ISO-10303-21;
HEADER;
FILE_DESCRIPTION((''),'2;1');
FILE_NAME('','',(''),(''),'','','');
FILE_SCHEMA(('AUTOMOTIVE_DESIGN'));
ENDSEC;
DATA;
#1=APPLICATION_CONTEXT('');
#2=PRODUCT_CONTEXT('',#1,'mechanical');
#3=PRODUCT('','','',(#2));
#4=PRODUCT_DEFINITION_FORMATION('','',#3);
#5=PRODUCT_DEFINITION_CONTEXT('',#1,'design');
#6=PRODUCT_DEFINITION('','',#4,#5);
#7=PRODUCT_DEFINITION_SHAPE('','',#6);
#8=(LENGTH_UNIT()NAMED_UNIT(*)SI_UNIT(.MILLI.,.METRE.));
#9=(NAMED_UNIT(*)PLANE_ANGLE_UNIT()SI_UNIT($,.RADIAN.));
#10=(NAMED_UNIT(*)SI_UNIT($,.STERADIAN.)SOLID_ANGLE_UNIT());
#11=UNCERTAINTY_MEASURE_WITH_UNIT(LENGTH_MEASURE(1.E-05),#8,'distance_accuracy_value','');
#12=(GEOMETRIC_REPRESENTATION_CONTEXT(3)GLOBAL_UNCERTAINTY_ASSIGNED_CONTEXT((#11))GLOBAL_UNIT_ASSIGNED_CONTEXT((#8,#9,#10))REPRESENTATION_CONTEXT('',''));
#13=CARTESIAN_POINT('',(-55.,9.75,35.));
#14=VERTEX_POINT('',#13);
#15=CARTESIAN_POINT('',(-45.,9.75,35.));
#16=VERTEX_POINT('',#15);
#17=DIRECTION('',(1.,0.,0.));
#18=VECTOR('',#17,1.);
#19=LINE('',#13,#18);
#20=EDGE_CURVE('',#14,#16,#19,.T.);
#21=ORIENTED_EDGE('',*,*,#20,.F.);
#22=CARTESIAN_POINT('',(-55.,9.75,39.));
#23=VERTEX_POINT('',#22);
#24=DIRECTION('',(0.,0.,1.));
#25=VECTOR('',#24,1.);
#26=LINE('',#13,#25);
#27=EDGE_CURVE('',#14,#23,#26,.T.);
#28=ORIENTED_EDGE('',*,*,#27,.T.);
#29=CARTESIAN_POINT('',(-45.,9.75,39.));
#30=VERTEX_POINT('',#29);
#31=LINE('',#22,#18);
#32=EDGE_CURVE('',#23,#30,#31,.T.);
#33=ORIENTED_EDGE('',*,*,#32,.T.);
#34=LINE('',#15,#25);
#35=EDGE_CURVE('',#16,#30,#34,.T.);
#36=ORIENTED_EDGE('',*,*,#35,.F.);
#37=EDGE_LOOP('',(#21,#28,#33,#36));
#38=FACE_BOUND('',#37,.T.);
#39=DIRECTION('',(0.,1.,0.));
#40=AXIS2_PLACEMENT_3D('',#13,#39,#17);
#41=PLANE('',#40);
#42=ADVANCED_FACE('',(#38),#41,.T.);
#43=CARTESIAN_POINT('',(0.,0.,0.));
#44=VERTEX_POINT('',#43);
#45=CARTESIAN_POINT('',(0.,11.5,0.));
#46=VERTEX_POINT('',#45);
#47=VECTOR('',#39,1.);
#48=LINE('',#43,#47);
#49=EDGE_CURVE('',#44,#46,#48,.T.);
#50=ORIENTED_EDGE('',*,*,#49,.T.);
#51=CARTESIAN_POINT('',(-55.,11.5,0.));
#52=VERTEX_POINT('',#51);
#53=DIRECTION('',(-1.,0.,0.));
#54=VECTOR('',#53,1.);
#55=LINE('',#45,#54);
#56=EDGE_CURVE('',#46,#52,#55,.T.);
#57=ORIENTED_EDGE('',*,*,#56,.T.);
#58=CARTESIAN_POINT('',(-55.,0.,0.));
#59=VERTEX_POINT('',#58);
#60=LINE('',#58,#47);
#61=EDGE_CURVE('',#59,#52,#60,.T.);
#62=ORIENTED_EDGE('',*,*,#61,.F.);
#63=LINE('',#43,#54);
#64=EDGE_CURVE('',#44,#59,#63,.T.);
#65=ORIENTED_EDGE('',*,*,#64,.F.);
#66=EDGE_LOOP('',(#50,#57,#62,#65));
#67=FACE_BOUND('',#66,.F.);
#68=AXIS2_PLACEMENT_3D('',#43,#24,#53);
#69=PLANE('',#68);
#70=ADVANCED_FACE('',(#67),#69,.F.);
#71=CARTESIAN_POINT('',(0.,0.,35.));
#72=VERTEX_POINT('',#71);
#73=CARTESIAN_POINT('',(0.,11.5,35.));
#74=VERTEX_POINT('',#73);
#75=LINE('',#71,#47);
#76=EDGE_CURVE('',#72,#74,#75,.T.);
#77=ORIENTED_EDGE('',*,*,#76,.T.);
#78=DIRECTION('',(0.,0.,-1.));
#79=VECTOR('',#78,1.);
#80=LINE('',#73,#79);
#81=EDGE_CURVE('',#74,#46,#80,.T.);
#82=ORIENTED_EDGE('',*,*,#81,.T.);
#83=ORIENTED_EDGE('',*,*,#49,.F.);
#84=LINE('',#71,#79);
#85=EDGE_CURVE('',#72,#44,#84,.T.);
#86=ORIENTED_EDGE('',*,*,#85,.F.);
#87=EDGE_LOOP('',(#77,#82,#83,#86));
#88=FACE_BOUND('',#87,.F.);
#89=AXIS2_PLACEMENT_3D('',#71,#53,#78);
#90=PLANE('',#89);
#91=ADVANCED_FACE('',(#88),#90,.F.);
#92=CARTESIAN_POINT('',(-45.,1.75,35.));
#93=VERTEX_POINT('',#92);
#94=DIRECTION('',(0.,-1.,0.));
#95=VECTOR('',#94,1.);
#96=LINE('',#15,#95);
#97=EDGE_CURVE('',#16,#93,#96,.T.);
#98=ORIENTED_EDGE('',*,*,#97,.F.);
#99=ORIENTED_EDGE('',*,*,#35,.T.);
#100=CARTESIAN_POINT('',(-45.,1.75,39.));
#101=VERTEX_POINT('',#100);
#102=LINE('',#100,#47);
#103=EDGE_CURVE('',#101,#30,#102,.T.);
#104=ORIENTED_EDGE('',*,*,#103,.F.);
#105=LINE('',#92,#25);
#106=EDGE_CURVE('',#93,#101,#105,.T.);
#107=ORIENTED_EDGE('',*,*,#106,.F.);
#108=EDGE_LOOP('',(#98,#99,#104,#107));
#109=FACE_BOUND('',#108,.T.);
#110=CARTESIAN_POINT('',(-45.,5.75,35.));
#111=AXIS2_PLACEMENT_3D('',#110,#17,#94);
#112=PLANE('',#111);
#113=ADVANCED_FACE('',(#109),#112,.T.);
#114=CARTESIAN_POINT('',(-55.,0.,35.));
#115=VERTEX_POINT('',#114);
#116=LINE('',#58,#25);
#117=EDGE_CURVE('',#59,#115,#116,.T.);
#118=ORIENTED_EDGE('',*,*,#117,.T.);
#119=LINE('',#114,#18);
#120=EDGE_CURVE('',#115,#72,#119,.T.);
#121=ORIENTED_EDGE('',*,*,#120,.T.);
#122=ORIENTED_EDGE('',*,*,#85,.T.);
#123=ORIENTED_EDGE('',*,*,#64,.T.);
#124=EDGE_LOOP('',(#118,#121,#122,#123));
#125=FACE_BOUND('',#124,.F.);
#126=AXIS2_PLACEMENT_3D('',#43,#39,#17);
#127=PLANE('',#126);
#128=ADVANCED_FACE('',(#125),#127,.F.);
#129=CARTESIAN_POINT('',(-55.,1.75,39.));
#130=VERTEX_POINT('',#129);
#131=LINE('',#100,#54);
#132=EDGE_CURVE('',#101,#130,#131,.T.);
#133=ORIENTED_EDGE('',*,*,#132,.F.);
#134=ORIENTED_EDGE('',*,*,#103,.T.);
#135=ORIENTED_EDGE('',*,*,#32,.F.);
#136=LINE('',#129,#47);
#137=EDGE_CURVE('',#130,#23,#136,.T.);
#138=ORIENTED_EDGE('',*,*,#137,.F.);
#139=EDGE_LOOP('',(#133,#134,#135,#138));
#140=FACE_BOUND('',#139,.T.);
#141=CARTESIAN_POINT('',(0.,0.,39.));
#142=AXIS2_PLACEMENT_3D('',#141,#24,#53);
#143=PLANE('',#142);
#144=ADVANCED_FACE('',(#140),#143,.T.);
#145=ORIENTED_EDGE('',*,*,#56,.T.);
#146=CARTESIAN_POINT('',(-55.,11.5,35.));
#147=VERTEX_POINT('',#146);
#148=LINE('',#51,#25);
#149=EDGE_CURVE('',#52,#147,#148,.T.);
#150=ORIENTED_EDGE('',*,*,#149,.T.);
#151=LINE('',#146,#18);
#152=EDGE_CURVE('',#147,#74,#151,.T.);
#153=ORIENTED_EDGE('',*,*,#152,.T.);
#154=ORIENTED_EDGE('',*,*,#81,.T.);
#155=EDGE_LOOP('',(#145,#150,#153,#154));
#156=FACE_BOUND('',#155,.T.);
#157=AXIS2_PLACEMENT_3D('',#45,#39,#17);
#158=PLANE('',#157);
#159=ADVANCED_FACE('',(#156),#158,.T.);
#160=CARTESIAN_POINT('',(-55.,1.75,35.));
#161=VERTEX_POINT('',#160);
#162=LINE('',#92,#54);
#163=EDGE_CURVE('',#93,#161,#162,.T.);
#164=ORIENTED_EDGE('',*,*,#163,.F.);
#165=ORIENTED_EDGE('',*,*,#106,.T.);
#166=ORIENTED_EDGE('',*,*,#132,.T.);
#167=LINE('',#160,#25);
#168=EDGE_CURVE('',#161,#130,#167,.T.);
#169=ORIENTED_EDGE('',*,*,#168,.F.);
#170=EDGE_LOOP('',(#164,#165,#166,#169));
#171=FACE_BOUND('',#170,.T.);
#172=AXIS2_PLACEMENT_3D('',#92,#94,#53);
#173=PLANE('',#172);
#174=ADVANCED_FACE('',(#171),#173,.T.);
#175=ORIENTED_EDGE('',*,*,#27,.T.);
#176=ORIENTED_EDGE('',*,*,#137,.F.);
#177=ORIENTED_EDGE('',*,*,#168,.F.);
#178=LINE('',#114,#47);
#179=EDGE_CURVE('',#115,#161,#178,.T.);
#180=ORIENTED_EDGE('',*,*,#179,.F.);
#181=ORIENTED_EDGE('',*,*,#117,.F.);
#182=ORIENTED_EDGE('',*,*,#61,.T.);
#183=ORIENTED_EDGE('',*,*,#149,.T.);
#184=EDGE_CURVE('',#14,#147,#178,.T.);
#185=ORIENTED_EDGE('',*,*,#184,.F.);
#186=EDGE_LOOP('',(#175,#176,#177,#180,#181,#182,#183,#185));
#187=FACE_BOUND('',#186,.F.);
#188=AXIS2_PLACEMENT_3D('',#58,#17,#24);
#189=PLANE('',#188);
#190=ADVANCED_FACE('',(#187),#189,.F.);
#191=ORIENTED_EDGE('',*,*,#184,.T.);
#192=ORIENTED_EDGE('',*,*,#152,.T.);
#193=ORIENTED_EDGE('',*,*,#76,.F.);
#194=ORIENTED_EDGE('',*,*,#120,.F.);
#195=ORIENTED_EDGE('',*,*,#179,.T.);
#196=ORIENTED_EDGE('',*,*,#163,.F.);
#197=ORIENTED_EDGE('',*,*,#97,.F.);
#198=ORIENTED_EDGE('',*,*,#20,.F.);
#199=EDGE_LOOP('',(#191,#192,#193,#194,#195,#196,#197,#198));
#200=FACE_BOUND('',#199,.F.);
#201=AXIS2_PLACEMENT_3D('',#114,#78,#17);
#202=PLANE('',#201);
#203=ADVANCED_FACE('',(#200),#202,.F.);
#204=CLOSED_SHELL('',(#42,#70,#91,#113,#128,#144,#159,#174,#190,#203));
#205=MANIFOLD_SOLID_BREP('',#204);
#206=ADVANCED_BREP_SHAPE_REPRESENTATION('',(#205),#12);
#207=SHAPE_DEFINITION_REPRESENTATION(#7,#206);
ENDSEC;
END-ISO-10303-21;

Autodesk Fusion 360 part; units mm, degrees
sketch "Sketch1" plane through (0, 0, 0) normal (0, 1, 0) x (1, 0, 0)
  line L0 (0, 0) -> (-55, 0)
  line L1 (-55, 0) -> (-55, -35)
  line L2 (-55, -35) -> (0, -35)
  line L3 (0, -35) -> (0, 0)
  dimension "d1" = 55
  dimension "d2" = 35
extrude "Extrude1" add sketch "Sketch1" along normal blind 11.5
sketch "Sketch2" plane through (0, 0, 35) normal (0, 0, 1) x (-1, 0, 0)
  line L0 (55, 0) -> (0, 0)
  line L1 (0, 0) -> (0, -11.5)
  line L2 (0, -11.5) -> (55, -11.5)
  line L3 (55, -11.5) -> (55, 0)
  line L4 (55, -9.75) -> (45, -9.75)
  line L5 (45, -9.75) -> (45, -1.75)
  line L6 (45, -1.75) -> (55, -1.75)
  line L7 (55, -1.75) -> (55, -9.75)
  line L8 (45, -5.75) -> (55, -5.75)
  dimension "d5" = 10
  dimension "d6" = 8
extrude "Extrude2" add sketch "Sketch2" along normal blind 4 contours L3 L5 L6 L7 L8 | L3 L4 L5 L7 L8
